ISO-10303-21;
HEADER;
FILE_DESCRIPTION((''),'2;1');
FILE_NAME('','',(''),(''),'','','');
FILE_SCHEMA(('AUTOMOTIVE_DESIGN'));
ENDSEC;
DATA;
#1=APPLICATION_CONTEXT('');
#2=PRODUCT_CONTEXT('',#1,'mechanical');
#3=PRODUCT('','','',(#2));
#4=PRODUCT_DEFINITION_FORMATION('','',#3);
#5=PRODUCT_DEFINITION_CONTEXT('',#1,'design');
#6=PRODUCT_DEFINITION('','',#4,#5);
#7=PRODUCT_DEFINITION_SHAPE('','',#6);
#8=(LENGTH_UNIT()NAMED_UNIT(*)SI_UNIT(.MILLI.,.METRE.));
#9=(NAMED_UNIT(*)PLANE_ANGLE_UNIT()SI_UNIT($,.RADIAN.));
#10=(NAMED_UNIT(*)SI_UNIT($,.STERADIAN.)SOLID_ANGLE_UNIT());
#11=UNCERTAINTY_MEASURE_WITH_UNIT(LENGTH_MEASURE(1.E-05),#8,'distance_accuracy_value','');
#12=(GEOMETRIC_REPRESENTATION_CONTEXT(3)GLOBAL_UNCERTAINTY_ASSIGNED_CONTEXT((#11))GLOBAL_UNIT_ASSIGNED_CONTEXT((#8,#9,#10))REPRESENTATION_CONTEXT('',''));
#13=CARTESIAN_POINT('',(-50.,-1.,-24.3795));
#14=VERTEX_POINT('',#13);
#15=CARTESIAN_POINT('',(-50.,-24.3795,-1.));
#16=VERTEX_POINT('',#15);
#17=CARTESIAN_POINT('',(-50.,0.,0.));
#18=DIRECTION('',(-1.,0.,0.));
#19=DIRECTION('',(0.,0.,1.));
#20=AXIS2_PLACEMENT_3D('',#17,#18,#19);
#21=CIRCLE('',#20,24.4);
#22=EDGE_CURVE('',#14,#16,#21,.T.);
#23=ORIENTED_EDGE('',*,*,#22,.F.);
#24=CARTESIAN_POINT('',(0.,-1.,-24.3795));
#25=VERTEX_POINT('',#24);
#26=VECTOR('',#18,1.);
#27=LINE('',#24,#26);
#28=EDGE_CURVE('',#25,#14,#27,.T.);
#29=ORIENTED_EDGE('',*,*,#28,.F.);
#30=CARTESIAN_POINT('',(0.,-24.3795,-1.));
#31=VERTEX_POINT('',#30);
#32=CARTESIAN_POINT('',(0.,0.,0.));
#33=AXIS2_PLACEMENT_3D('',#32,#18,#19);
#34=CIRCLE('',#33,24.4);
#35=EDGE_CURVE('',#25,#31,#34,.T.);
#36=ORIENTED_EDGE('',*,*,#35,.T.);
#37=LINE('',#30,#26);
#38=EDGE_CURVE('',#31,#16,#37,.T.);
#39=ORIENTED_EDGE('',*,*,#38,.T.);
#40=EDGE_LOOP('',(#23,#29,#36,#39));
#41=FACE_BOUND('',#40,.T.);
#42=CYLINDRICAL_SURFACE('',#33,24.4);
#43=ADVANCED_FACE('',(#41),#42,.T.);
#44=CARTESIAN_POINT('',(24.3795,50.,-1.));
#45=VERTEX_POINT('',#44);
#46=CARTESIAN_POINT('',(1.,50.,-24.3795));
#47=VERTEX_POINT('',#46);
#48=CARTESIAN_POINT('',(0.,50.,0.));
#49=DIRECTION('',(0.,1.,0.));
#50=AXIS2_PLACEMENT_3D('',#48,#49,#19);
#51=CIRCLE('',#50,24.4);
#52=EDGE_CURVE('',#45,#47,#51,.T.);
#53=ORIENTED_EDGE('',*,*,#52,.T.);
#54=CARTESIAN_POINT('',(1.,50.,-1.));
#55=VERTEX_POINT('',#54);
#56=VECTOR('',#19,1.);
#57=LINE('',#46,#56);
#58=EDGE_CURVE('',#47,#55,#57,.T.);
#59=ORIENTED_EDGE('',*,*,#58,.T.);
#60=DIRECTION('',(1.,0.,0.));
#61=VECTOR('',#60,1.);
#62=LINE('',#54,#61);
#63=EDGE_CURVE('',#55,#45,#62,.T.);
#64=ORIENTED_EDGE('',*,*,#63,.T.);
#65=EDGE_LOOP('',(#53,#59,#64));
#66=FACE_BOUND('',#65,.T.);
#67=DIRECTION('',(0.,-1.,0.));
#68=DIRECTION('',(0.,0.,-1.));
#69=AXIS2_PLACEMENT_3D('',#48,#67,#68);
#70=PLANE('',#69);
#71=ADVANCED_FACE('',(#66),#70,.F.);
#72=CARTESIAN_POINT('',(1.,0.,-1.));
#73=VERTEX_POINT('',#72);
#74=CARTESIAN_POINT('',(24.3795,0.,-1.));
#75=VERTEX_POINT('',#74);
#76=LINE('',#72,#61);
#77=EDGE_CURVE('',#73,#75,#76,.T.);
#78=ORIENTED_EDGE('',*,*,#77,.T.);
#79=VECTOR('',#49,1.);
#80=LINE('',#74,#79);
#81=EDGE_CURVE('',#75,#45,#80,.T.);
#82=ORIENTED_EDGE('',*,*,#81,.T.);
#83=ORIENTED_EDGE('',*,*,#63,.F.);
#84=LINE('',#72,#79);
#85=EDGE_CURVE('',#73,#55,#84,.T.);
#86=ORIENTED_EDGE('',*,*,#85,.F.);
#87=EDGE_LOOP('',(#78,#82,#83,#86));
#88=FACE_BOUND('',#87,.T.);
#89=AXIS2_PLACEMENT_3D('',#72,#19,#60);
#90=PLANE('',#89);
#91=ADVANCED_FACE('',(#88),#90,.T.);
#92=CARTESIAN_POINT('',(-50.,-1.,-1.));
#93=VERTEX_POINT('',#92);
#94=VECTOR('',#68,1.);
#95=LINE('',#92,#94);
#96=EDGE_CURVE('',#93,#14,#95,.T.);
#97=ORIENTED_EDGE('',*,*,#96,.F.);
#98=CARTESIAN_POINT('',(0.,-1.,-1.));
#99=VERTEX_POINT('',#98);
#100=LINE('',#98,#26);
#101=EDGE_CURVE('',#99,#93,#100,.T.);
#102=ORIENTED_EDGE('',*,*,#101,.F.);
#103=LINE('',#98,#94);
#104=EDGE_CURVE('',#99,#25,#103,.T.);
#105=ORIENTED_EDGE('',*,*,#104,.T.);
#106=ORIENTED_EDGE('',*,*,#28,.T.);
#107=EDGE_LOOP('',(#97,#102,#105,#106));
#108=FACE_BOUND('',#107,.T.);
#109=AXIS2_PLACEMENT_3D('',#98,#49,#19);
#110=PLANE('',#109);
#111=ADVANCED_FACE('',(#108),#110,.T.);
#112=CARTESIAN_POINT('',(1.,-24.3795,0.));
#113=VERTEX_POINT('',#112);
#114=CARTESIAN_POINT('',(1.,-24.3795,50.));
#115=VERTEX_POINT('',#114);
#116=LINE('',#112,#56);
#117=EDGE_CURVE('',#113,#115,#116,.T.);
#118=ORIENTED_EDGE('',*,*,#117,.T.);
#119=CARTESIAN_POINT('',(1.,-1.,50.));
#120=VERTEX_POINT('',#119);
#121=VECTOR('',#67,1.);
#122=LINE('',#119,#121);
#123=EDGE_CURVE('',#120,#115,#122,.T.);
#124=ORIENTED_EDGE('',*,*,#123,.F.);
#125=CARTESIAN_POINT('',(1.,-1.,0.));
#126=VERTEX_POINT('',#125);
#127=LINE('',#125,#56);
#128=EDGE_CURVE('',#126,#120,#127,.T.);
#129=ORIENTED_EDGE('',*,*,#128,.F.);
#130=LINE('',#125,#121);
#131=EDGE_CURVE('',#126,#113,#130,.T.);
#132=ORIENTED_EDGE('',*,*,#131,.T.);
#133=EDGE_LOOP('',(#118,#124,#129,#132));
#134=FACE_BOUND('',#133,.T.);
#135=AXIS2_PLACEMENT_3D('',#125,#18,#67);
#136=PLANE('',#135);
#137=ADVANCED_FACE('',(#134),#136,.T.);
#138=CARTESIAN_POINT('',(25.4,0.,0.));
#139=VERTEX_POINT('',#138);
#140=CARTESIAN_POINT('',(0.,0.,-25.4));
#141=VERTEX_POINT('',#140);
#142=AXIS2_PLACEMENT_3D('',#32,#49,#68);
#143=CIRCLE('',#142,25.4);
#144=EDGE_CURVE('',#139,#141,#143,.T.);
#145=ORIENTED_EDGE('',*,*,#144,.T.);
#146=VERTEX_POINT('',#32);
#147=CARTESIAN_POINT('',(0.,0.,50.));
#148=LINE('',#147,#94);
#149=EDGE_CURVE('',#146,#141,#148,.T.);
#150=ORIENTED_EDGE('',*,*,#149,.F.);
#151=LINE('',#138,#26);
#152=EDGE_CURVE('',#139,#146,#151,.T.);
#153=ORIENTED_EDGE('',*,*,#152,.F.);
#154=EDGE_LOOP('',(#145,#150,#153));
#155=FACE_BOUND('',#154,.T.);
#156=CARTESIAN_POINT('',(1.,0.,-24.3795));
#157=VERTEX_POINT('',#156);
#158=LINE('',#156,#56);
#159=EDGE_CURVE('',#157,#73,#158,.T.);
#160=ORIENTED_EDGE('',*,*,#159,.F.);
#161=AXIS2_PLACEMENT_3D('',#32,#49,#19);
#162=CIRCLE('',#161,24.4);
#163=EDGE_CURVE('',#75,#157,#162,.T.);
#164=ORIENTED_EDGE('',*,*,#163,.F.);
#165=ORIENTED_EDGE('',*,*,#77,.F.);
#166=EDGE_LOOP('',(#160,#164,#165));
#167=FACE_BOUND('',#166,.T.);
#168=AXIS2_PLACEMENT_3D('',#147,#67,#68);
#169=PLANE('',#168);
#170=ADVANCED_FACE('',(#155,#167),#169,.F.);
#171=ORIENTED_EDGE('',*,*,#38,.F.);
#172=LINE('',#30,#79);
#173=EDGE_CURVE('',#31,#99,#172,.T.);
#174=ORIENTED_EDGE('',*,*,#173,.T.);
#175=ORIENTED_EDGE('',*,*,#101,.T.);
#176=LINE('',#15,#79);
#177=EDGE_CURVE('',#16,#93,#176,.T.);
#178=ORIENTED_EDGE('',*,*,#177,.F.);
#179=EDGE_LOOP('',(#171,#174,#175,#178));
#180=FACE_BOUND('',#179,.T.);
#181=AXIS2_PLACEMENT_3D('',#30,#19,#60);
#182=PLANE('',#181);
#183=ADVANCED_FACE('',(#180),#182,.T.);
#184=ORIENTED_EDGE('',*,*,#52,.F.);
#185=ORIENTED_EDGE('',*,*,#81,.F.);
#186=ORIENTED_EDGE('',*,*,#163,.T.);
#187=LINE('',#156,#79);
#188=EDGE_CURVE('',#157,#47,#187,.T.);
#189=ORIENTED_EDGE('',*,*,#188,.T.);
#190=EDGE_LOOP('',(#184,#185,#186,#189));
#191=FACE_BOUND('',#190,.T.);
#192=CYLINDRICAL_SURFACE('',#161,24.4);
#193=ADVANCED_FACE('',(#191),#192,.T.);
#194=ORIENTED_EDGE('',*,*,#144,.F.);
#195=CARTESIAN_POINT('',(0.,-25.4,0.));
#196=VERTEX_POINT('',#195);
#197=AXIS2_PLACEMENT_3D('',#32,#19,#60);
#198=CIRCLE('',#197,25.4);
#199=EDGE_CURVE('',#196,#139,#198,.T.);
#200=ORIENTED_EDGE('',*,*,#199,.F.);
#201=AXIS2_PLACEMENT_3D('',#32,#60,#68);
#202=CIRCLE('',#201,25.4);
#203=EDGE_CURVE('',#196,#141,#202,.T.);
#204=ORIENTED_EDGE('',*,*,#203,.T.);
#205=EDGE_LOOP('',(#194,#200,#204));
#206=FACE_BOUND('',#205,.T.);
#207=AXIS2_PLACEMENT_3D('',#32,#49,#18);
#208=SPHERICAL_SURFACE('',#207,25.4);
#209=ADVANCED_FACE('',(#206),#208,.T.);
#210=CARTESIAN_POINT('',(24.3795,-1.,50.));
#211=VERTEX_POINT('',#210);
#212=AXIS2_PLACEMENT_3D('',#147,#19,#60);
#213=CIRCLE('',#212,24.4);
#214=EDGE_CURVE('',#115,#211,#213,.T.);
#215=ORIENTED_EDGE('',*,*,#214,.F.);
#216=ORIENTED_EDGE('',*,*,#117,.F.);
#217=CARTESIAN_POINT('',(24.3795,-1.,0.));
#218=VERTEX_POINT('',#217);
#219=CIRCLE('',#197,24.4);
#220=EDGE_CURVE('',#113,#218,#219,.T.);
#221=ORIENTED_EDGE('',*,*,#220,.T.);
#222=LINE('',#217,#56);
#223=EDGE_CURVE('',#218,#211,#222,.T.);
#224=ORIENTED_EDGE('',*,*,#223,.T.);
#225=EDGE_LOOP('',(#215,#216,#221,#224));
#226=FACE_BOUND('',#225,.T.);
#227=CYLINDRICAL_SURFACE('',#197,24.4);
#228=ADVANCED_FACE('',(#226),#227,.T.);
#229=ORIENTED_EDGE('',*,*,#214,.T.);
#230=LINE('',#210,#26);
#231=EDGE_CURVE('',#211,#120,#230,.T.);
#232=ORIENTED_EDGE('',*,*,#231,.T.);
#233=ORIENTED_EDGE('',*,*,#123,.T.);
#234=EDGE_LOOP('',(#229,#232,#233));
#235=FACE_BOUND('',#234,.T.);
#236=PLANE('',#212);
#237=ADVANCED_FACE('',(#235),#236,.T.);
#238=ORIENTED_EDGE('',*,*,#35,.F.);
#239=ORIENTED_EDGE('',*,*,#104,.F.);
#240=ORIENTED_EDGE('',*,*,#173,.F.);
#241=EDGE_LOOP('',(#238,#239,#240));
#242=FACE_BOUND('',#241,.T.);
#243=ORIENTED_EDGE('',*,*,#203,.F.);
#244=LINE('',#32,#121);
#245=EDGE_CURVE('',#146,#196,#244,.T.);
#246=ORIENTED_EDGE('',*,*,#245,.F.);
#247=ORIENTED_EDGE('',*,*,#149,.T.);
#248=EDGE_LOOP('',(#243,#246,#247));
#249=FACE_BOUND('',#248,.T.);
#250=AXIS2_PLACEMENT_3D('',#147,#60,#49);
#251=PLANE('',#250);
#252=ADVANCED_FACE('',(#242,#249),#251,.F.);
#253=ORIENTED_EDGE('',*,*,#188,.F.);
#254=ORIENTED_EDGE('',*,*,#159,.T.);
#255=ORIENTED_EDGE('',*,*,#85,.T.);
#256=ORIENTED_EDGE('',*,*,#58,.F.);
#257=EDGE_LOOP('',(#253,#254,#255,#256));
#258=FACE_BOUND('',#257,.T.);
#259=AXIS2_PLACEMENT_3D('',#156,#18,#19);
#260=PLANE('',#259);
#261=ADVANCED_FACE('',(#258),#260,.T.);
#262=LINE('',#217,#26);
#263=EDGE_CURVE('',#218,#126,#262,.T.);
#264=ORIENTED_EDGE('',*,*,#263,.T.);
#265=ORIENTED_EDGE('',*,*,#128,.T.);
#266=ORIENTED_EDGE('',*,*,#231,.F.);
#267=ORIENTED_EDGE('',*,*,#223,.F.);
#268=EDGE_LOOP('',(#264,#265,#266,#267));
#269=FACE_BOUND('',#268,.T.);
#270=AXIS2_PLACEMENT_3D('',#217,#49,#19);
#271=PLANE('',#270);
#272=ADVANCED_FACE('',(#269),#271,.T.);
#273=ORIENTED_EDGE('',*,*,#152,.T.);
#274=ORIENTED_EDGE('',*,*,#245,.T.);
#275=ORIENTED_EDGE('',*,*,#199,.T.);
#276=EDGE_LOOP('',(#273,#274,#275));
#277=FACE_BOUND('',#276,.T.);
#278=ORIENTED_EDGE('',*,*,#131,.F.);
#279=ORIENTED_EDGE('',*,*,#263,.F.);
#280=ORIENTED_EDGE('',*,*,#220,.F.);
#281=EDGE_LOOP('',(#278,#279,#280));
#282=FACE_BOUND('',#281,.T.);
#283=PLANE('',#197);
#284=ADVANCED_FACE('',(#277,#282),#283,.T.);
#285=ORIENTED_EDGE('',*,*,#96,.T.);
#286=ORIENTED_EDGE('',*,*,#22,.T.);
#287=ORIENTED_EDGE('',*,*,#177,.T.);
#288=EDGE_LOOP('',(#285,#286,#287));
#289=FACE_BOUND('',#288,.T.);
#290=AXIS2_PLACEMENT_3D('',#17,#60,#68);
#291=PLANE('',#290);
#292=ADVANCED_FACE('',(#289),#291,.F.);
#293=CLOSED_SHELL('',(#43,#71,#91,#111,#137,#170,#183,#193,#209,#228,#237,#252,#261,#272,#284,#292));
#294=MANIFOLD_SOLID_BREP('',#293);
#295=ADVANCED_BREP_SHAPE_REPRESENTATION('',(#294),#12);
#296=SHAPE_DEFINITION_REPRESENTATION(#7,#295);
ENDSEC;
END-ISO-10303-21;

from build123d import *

# Parameters (mm, degrees)
SALIENTE_EXTRUIR1_DEPTH = 50
SALIENTE_EXTRUIR2_DEPTH = 50
SALIENTE_EXTRUIR3_DEPTH = 50
CORTAR_EXTRUIR1_DEPTH   = 30
CROQUIS8_W              = 25.4
CROQUIS8_H              = 25.4
CORTAR_EXTRUIR5_DEPTH   = 50
CROQUIS9_W              = 25.4
CROQUIS9_H              = 25.4
CORTAR_EXTRUIR6_DEPTH   = 50
CORTAR_EXTRUIR7_DEPTH   = 50
CORTAR_EXTRUIR8_DEPTH   = 50
CORTAR_EXTRUIR9_DEPTH   = 50


with BuildPart() as part:
    # Croquis1 → Revolución1 (revolve)
    with BuildSketch(Plane.XY):
        with BuildLine():
            Line((0, 25.4), (0, -25.4))
            ThreePointArc((0, -25.4), (25.4, 0), (0, 25.4))
        make_face()
    revolve(axis=Axis((0, 32.899125747, 0), (0, -1, 0)))

    # Croquis2 → Saliente-Extruir1 (add)
    with BuildSketch(Plane(origin=(0, 0, 0), x_dir=(1, 0, 0), z_dir=(0, 1, 0))):
        with BuildLine():
            Line((0, 25.4), (0, 0))
            Line((0, 0), (25.4, 0))
            ThreePointArc((25.4, 0), (17.960512242, 17.960512242), (0, 25.4))
        make_face()
    extrude(amount=SALIENTE_EXTRUIR1_DEPTH)

    # Croquis3 → Saliente-Extruir2 (add)
    with BuildSketch(Plane.XY):
        with BuildLine():
            Line((0, 0), (25.4, 0))
            ThreePointArc((25.4, 0), (17.960512242, -17.960512242), (0, -25.4))
            Line((0, -25.4), (0, 0))
        make_face()
    extrude(amount=SALIENTE_EXTRUIR2_DEPTH)

    # Croquis4 → Saliente-Extruir3 (add)
    with BuildSketch(Plane(origin=(0, 0, 0), x_dir=(0, 0, -1), z_dir=(1, 0, 0))):
        with BuildLine():
            Line((25.4, 0), (0, 0))
            Line((0, 0), (0, -25.4))
            ThreePointArc((0, -25.4), (17.960512242, -17.960512242), (25.4, 0))
        make_face()
    extrude(amount=-SALIENTE_EXTRUIR3_DEPTH)

    # Croquis5 → Cortar-Extruir1 (cut, symmetric)
    with BuildSketch(Plane.XY):
        with BuildLine():
            Line((0, 25.4), (0, 0))
            Line((0, 0), (-25.4, 0))
            ThreePointArc((-25.4, 0), (-17.960512242, 17.960512242), (0, 25.4))
        make_face()
    extrude(amount=CORTAR_EXTRUIR1_DEPTH, both=True, mode=Mode.SUBTRACT)

    # Croquis8 → Cortar-Extruir5 (cut)
    with BuildSketch(Plane(origin=(0, 0, 0), x_dir=(0, 0, -1), z_dir=(1, 0, 0))):
        with Locations((-12.7, 12.7)):
            Rectangle(CROQUIS8_W, CROQUIS8_H)
    extrude(amount=CORTAR_EXTRUIR5_DEPTH, mode=Mode.SUBTRACT)

    # Croquis9 → Cortar-Extruir6 (cut)
    with BuildSketch(Plane(origin=(0, 0, 0), x_dir=(1, 0, 0), z_dir=(0, 1, 0))):
        with Locations((-12.7, -12.7)):
            Rectangle(CROQUIS9_W, CROQUIS9_H)
    extrude(amount=-CORTAR_EXTRUIR6_DEPTH, mode=Mode.SUBTRACT)

    # Croquis11 → Cortar-Extruir7 (cut)
    with BuildSketch(Plane.ZY.offset(50)):
        with BuildLine():
            Line((0, -25.4), (0, 0))
            Line((0, 0), (-25.4, 0))
            ThreePointArc((-25.4, 0), (-17.960512242, -17.960512242), (0, -25.4))
        make_face()
        with BuildLine():
            Line((-1, -24.379499585), (-1, -1))
            Line((-1, -1), (-24.379499585, -1))
            ThreePointArc((-24.379499585, -1), (-17.253405461, -17.253405461), (-1, -24.379499585))
        make_face(mode=Mode.SUBTRACT)
    extrude(amount=-CORTAR_EXTRUIR7_DEPTH, mode=Mode.SUBTRACT)

    # Croquis12 → Cortar-Extruir8 (cut)
    with BuildSketch(Plane(origin=(0, 50, 0), x_dir=(1, 0, 0), z_dir=(0, 1, 0))):
        with BuildLine():
            Line((0, 25.4), (0, 0))
            Line((0, 0), (25.4, 0))
            ThreePointArc((25.4, 0), (17.960512242, 17.960512242), (0, 25.4))
        make_face()
        with BuildLine():
            Line((1, 24.379499585), (1, 1))
            Line((1, 1), (24.379499585, 1))
            ThreePointArc((24.379499585, 1), (17.253405461, 17.253405461), (1, 24.379499585))
        make_face(mode=Mode.SUBTRACT)
    extrude(amount=-CORTAR_EXTRUIR8_DEPTH, mode=Mode.SUBTRACT)

    # Croquis13 → Cortar-Extruir9 (cut)
    with BuildSketch(Plane.XY.offset(50)):
        with BuildLine():
            Line((0, 0), (0, -25.4))
            ThreePointArc((0, -25.4), (17.960512242, -17.960512242), (25.4, 0))
            Line((25.4, 0), (0, 0))
        make_face()
        with BuildLine():
            Line((1, -1), (1, -24.379499585))
            ThreePointArc((1, -24.379499585), (17.253405461, -17.253405461), (24.379499585, -1))
            Line((24.379499585, -1), (1, -1))
        make_face(mode=Mode.SUBTRACT)
    extrude(amount=-CORTAR_EXTRUIR9_DEPTH, mode=Mode.SUBTRACT)


solid = part.part
